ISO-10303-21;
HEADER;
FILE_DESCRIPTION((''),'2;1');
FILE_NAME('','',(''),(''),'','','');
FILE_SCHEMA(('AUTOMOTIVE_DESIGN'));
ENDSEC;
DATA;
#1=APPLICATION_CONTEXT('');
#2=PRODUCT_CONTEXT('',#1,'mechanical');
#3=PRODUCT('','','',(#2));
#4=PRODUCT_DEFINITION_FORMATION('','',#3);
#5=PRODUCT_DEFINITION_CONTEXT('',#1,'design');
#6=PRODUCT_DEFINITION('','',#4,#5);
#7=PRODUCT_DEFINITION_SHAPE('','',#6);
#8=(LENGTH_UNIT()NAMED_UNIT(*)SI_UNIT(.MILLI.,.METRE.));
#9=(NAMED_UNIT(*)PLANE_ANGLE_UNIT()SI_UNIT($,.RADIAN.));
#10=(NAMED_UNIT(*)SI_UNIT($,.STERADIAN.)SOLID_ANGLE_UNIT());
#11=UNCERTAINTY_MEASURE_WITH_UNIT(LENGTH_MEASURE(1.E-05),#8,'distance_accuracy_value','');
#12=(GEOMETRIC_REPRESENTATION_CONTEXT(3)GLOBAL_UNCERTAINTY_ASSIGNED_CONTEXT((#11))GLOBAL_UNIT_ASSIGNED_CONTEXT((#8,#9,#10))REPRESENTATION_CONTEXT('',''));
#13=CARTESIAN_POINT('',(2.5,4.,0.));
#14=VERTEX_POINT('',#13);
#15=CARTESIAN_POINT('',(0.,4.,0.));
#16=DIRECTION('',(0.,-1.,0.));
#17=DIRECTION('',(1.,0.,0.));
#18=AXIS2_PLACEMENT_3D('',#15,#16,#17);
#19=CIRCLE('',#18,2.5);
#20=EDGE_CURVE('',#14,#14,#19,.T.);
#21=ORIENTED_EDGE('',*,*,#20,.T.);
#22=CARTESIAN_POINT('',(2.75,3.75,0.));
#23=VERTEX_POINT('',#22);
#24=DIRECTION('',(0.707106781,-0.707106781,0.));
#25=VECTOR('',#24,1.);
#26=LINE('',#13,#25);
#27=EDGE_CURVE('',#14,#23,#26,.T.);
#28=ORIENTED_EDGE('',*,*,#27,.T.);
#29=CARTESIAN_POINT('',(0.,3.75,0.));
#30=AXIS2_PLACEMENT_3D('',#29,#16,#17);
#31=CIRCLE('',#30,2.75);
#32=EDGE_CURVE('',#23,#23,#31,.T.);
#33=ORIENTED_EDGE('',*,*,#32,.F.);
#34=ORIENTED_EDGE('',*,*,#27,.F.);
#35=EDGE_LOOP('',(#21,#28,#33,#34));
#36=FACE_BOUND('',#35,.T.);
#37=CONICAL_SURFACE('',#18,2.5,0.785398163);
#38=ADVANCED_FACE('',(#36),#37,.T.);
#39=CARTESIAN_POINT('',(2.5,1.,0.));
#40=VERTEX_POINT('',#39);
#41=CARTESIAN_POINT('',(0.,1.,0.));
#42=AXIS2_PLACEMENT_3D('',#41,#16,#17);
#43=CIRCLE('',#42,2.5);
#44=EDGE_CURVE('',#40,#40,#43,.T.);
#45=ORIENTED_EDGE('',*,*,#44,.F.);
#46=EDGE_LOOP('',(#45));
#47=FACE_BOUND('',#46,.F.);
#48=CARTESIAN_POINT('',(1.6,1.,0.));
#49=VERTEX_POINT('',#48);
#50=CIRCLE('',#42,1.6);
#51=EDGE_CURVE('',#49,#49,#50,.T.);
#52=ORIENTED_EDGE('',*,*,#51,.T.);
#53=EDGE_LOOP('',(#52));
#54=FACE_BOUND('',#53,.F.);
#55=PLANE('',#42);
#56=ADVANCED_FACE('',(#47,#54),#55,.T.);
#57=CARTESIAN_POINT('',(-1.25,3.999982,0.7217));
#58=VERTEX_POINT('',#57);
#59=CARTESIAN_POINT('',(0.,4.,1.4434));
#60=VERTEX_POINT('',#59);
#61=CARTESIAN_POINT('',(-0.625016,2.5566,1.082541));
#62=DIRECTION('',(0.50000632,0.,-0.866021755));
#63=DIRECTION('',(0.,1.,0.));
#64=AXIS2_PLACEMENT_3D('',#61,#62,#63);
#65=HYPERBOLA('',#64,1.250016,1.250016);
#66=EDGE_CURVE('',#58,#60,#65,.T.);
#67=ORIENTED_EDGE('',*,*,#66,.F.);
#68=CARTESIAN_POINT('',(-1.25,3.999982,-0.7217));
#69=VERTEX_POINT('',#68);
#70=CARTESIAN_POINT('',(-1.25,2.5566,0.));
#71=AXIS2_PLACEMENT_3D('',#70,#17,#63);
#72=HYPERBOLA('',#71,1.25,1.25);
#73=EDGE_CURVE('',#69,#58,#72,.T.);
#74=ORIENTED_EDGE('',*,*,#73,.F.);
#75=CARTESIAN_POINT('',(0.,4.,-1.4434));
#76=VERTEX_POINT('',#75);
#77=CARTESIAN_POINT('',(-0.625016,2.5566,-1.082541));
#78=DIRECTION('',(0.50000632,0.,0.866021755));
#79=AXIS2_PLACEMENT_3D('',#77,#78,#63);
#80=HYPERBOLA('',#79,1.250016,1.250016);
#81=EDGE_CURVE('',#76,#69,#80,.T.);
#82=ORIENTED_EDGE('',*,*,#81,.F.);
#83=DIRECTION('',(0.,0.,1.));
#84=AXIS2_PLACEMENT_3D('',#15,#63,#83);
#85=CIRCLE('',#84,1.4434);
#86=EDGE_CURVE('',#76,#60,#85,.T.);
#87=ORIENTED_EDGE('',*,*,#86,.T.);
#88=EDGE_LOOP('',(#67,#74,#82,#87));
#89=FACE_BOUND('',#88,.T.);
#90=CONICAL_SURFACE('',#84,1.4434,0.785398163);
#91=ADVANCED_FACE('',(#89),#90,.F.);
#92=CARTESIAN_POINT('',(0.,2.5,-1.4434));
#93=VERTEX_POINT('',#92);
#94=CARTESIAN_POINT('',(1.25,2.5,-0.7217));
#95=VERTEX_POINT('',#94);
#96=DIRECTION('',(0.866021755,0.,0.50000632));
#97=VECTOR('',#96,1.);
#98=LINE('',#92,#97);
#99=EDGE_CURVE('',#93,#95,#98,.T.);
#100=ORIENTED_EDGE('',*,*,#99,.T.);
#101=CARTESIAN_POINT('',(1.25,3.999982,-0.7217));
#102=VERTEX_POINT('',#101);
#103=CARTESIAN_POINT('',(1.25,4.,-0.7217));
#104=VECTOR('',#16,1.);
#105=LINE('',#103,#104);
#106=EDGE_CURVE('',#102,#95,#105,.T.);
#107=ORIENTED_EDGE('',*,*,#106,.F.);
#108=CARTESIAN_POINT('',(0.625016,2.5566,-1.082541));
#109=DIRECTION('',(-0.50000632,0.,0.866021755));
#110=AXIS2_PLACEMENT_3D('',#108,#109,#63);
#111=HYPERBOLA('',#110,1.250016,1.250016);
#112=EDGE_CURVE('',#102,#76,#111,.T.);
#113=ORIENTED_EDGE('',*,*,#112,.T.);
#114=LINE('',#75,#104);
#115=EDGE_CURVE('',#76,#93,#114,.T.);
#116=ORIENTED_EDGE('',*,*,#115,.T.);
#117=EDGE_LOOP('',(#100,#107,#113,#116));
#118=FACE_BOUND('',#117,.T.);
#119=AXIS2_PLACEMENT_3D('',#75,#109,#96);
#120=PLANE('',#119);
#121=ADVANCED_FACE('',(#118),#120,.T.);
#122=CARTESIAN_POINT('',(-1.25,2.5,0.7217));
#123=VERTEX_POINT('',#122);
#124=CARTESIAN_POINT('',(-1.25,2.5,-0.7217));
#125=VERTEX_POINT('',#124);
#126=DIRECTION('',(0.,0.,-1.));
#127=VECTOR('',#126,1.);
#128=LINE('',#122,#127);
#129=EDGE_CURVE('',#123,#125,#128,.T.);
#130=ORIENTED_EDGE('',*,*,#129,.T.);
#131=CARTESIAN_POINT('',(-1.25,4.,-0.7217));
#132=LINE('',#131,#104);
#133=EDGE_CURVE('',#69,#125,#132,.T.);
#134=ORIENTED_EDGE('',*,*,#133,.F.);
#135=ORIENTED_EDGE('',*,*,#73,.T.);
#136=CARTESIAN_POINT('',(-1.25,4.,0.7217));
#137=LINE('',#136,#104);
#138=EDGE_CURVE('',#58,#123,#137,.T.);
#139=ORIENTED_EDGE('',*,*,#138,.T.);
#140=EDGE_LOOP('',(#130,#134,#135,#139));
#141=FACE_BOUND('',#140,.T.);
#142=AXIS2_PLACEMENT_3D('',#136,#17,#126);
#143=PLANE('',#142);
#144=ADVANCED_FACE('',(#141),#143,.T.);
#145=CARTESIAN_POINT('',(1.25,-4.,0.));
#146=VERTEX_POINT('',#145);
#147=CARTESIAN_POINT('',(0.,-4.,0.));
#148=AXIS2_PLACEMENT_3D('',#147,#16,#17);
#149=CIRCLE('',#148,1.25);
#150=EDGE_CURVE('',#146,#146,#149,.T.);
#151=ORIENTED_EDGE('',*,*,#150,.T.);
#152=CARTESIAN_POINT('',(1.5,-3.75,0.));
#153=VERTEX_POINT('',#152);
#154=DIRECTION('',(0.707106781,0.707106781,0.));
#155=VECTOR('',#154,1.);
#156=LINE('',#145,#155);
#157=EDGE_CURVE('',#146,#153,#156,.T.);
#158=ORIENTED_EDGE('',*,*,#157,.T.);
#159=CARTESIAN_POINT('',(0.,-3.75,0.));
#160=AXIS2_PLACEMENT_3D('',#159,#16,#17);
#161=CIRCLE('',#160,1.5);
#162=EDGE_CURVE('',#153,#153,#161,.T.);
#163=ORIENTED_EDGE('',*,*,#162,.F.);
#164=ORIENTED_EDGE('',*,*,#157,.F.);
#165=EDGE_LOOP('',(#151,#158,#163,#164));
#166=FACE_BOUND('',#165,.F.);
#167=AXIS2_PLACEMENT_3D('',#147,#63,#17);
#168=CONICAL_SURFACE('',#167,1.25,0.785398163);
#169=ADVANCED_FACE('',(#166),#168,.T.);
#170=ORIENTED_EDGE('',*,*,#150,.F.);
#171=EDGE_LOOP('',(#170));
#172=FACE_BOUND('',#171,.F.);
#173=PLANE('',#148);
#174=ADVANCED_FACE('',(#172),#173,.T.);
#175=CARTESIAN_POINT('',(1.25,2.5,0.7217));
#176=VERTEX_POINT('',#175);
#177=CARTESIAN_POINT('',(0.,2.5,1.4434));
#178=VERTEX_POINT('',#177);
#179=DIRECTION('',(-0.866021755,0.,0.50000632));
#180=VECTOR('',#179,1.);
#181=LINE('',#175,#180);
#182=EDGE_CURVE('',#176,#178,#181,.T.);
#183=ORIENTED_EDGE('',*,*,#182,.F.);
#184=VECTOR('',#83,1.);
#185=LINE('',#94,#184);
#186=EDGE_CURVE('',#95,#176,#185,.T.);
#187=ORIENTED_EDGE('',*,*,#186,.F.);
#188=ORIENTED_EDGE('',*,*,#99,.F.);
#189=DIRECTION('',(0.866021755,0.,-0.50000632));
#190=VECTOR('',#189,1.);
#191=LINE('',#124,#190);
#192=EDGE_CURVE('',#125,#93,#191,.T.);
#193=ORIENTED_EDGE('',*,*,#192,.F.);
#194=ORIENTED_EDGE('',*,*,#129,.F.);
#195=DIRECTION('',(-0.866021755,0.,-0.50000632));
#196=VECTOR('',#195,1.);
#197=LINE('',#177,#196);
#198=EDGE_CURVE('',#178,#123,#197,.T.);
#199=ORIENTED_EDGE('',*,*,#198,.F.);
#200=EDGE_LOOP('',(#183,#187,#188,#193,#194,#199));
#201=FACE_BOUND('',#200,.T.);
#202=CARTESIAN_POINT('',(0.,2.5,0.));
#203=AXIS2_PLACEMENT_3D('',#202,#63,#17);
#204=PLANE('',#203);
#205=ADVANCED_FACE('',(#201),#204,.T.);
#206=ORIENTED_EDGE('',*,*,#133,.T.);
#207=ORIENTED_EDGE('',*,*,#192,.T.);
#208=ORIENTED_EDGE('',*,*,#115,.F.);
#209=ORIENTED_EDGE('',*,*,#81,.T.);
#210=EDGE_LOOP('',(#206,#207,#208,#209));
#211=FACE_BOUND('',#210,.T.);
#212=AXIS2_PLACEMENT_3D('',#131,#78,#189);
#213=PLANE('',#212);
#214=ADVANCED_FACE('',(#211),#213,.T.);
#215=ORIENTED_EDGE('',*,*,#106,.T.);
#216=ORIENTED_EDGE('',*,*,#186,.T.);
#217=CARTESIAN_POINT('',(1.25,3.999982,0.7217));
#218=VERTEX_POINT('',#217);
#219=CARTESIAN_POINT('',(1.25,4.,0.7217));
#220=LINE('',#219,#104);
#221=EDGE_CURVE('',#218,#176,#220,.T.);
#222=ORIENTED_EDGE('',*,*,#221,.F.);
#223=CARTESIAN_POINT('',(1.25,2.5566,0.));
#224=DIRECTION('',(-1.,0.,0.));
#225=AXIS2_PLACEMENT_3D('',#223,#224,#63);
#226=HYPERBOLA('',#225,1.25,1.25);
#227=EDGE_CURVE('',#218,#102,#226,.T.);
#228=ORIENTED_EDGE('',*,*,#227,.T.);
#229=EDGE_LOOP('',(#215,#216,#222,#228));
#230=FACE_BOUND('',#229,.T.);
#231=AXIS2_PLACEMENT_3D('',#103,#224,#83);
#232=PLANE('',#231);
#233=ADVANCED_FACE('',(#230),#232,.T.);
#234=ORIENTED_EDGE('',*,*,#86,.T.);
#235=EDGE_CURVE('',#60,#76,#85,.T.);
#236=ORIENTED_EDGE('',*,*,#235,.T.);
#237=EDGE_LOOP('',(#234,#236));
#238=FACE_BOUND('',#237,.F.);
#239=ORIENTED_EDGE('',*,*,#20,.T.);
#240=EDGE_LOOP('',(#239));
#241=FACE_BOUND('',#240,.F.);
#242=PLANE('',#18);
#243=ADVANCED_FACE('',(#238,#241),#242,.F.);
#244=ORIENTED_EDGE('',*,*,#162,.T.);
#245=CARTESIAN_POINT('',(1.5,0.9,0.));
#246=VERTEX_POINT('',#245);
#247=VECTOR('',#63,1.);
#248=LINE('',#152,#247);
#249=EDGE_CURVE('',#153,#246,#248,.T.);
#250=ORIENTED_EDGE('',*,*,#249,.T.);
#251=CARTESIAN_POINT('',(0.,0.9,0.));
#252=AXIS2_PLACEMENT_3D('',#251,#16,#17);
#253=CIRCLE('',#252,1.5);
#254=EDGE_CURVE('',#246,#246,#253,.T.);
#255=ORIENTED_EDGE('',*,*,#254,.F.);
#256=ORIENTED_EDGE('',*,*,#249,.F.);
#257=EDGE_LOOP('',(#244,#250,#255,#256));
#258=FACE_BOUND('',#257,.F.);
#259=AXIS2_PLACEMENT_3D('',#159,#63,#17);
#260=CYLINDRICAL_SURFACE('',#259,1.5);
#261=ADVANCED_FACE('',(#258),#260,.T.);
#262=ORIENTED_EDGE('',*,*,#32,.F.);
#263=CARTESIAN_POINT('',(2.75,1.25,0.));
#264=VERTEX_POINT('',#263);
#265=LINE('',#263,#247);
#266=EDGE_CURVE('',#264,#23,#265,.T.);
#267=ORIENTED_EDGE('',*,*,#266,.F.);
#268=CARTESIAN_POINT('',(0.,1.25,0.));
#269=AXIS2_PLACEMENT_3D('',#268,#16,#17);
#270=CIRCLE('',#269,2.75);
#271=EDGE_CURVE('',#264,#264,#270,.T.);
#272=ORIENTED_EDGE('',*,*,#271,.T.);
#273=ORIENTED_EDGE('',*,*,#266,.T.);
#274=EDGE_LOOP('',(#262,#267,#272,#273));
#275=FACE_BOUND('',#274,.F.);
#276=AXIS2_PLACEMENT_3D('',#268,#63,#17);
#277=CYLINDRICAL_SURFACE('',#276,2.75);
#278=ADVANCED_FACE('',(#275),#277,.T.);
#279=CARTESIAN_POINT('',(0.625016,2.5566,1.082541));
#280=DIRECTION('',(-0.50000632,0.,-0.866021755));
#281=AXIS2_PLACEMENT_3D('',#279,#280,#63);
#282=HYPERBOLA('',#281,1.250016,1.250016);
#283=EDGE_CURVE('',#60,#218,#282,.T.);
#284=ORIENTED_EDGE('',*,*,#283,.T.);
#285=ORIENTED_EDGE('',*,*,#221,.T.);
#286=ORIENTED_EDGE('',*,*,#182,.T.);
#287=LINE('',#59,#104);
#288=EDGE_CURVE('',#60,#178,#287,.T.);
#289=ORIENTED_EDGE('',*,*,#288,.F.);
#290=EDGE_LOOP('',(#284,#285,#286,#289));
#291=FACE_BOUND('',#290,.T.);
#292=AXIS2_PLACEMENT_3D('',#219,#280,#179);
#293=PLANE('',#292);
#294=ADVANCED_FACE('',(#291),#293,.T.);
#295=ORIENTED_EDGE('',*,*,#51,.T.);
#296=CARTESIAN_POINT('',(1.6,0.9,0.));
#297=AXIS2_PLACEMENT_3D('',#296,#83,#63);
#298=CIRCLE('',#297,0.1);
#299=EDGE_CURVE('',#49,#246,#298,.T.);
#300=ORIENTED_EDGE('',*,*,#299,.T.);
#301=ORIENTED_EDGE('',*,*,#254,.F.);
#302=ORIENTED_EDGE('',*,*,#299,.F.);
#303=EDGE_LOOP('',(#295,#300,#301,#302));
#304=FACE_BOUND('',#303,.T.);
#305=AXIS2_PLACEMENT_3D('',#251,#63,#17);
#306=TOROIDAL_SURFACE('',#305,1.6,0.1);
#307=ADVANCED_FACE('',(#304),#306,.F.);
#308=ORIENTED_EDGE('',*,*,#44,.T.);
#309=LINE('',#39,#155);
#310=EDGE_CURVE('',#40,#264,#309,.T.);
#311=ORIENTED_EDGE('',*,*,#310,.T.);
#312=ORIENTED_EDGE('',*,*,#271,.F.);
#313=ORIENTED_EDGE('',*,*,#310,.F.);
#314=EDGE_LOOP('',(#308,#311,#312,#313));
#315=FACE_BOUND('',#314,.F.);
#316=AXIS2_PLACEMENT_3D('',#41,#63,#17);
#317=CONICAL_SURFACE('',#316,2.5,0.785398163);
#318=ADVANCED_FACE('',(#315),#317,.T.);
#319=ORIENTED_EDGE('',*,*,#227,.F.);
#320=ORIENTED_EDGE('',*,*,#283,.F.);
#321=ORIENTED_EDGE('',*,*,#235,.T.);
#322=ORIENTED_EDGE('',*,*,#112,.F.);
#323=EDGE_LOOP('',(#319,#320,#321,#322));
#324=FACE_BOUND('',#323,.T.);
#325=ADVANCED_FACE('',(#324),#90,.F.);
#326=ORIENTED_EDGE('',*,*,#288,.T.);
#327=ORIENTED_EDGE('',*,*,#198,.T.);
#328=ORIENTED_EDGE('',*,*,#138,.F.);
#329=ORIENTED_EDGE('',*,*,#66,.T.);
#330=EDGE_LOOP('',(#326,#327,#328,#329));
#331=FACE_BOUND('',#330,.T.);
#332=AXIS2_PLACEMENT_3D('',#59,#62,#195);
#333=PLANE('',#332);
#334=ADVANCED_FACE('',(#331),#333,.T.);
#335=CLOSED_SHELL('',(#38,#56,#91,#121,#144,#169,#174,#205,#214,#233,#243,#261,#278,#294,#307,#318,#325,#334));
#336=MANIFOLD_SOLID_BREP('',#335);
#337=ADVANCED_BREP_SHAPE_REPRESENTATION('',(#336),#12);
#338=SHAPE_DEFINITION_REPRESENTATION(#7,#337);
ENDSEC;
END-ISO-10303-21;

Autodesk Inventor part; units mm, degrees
ref_plane "YZ Plane" through (0, 0, 0) normal (1, 0, 0) x (0, 1, 0)
ref_plane "XZ Plane" through (0, 0, 0) normal (0, 1, 0) x (-1, 0, 0)
ref_plane "XY Plane" through (0, 0, 0) normal (0, 0, 1) x (1, 0, 0)
sketch "Sketch1" plane through (0, 0, 0) normal (0, 0, 1) x (1, 0, 0)
  line L0 (0, 4) -> (0, -4)
  line L1 (0, -4) -> (1.25, -4)
  line L2 (1.25, -4) -> (1.5, -3.75)
  line L3 (1.5, -3.75) -> (1.5, 0.9)
  line L4 (1.6, 1) -> (2.5, 1)
  line L5 (2.75, 1.25) -> (2.75, 3.75)
  line L6 (2.5, 4) -> (0, 4)
  arc A0 (1.6, 1) -> (1.5, 0.9) centre (1.6, 0.9) ccw
  line L7 (2.5, 4) -> (2.75, 3.75)
  line L8 (2.5, 1) -> (2.75, 1.25)
  point P0 (0, 0)
  point P1 (2.75, 1)
  point P2 (2.75, 4)
  point P3 (0, 0)
  dimension "d0" = 5.5
  dimension "d1" = 3
  dimension "d3" = 3
  dimension "d4" = 3.2
  dimension "d5" = 135
  dimension "d6" = 0.25
  dimension "d7" = 5
  dimension "d18" = 0.25
revolve "Revolution1" add sketch "Sketch1" angle 360 about axis through (0, 4, 0) along (0, -1, 0)
sketch "Sketch2" plane through (0, 4, 0) normal (0, 1, 0) x (1, 0, 0)
  line L0 (0, -1.4434) -> (-1.25, -0.7217)
  line L1 (-1.25, -0.7217) -> (-1.25, 0.7217)
  line L2 (-1.25, 0.7217) -> (0, 1.4434)
  line L3 (0, 1.4434) -> (1.25, 0.7217)
  line L4 (1.25, 0.7217) -> (1.25, -0.7217)
  line L5 (1.25, -0.7217) -> (0, -1.4434)
  point P0 (0, 0)
  point P1 (0, 0)
  dimension "d11" = 2.5
extrude "Extrusion1" cut sketch "Sketch2" against normal blind 1.5
thread "Thread1" size "M3x0.5" class "6g" standard "ANSI Metric M Profile" full length
sketch "Sketch3" plane through (0, 0, 0) normal (1, 0, 0) x (0, 1, 0)
  line L0 (4, 1.4434) -> (4, 0.7217) projected
  line L1 (4, 1.4434) -> (3.5, 0.9434)
  line L2 (3.5, 0.9434) -> (4, 0.9434)
  line L3 (4, 0.9434) -> (4, 1.4434)
  line L4 (-0.9, 0) -> (5.4, 0) projected
  point P0 (0, 0)
  dimension "d16" = 0.5
revolve "Revolution2" cut sketch "Sketch3" angle 360 about axis through (0, -10, 0) along (0, 1, 0)
properties part number "48-0350" material "Stainless Steel"
